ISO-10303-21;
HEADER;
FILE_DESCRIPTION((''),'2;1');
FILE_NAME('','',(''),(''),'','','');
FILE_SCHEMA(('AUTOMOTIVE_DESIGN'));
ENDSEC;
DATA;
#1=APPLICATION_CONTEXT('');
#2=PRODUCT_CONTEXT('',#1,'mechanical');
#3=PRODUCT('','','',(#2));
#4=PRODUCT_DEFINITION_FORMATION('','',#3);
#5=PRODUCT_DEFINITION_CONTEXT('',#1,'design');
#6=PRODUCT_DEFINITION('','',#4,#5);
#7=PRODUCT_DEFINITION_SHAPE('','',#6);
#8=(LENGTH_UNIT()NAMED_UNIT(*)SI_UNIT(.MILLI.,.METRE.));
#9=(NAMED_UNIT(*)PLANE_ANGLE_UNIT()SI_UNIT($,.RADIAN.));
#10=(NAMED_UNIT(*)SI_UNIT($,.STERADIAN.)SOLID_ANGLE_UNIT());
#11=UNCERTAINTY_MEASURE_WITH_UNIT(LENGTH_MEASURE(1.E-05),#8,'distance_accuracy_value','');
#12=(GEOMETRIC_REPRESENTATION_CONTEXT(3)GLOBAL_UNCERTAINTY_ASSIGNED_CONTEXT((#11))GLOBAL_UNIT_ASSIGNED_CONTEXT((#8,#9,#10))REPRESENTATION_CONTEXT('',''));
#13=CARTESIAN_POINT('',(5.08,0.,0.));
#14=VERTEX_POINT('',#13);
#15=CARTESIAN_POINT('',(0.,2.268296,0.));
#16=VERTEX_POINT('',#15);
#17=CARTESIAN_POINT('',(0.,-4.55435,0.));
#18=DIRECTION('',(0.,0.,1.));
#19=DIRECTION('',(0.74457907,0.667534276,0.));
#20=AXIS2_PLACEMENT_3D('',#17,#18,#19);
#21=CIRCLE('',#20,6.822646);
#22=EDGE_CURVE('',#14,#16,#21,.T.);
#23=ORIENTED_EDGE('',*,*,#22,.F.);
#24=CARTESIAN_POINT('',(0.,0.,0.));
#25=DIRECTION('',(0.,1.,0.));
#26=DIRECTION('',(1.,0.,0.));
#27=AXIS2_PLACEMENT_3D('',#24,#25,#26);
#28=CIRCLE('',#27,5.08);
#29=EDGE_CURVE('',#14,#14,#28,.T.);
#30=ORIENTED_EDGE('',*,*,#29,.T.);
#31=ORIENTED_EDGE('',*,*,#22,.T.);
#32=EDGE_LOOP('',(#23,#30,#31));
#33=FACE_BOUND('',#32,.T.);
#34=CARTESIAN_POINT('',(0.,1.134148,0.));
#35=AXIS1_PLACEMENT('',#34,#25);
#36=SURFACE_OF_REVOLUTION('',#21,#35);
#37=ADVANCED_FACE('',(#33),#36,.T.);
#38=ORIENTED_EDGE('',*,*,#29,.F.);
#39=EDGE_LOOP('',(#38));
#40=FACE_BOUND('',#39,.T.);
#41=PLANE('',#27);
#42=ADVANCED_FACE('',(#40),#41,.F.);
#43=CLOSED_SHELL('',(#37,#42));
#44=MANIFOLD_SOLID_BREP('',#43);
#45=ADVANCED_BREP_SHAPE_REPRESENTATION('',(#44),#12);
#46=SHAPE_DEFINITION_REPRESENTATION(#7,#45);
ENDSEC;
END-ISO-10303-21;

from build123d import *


with BuildPart() as f1:
    # F0 (on Top) → F1 (revolve)
    with BuildSketch(Plane.XY):
        with BuildLine():
            Line((0, 2.268296), (0, 0))
            Line((0, 0), (5.08, 0))
            ThreePointArc((5.08, 0), (2.781707, 1.675466), (0, 2.268296))
        make_face()
    revolve(axis=Axis((0, 1.134148, 0), (0, 1, 0)))


solid = f1.part
